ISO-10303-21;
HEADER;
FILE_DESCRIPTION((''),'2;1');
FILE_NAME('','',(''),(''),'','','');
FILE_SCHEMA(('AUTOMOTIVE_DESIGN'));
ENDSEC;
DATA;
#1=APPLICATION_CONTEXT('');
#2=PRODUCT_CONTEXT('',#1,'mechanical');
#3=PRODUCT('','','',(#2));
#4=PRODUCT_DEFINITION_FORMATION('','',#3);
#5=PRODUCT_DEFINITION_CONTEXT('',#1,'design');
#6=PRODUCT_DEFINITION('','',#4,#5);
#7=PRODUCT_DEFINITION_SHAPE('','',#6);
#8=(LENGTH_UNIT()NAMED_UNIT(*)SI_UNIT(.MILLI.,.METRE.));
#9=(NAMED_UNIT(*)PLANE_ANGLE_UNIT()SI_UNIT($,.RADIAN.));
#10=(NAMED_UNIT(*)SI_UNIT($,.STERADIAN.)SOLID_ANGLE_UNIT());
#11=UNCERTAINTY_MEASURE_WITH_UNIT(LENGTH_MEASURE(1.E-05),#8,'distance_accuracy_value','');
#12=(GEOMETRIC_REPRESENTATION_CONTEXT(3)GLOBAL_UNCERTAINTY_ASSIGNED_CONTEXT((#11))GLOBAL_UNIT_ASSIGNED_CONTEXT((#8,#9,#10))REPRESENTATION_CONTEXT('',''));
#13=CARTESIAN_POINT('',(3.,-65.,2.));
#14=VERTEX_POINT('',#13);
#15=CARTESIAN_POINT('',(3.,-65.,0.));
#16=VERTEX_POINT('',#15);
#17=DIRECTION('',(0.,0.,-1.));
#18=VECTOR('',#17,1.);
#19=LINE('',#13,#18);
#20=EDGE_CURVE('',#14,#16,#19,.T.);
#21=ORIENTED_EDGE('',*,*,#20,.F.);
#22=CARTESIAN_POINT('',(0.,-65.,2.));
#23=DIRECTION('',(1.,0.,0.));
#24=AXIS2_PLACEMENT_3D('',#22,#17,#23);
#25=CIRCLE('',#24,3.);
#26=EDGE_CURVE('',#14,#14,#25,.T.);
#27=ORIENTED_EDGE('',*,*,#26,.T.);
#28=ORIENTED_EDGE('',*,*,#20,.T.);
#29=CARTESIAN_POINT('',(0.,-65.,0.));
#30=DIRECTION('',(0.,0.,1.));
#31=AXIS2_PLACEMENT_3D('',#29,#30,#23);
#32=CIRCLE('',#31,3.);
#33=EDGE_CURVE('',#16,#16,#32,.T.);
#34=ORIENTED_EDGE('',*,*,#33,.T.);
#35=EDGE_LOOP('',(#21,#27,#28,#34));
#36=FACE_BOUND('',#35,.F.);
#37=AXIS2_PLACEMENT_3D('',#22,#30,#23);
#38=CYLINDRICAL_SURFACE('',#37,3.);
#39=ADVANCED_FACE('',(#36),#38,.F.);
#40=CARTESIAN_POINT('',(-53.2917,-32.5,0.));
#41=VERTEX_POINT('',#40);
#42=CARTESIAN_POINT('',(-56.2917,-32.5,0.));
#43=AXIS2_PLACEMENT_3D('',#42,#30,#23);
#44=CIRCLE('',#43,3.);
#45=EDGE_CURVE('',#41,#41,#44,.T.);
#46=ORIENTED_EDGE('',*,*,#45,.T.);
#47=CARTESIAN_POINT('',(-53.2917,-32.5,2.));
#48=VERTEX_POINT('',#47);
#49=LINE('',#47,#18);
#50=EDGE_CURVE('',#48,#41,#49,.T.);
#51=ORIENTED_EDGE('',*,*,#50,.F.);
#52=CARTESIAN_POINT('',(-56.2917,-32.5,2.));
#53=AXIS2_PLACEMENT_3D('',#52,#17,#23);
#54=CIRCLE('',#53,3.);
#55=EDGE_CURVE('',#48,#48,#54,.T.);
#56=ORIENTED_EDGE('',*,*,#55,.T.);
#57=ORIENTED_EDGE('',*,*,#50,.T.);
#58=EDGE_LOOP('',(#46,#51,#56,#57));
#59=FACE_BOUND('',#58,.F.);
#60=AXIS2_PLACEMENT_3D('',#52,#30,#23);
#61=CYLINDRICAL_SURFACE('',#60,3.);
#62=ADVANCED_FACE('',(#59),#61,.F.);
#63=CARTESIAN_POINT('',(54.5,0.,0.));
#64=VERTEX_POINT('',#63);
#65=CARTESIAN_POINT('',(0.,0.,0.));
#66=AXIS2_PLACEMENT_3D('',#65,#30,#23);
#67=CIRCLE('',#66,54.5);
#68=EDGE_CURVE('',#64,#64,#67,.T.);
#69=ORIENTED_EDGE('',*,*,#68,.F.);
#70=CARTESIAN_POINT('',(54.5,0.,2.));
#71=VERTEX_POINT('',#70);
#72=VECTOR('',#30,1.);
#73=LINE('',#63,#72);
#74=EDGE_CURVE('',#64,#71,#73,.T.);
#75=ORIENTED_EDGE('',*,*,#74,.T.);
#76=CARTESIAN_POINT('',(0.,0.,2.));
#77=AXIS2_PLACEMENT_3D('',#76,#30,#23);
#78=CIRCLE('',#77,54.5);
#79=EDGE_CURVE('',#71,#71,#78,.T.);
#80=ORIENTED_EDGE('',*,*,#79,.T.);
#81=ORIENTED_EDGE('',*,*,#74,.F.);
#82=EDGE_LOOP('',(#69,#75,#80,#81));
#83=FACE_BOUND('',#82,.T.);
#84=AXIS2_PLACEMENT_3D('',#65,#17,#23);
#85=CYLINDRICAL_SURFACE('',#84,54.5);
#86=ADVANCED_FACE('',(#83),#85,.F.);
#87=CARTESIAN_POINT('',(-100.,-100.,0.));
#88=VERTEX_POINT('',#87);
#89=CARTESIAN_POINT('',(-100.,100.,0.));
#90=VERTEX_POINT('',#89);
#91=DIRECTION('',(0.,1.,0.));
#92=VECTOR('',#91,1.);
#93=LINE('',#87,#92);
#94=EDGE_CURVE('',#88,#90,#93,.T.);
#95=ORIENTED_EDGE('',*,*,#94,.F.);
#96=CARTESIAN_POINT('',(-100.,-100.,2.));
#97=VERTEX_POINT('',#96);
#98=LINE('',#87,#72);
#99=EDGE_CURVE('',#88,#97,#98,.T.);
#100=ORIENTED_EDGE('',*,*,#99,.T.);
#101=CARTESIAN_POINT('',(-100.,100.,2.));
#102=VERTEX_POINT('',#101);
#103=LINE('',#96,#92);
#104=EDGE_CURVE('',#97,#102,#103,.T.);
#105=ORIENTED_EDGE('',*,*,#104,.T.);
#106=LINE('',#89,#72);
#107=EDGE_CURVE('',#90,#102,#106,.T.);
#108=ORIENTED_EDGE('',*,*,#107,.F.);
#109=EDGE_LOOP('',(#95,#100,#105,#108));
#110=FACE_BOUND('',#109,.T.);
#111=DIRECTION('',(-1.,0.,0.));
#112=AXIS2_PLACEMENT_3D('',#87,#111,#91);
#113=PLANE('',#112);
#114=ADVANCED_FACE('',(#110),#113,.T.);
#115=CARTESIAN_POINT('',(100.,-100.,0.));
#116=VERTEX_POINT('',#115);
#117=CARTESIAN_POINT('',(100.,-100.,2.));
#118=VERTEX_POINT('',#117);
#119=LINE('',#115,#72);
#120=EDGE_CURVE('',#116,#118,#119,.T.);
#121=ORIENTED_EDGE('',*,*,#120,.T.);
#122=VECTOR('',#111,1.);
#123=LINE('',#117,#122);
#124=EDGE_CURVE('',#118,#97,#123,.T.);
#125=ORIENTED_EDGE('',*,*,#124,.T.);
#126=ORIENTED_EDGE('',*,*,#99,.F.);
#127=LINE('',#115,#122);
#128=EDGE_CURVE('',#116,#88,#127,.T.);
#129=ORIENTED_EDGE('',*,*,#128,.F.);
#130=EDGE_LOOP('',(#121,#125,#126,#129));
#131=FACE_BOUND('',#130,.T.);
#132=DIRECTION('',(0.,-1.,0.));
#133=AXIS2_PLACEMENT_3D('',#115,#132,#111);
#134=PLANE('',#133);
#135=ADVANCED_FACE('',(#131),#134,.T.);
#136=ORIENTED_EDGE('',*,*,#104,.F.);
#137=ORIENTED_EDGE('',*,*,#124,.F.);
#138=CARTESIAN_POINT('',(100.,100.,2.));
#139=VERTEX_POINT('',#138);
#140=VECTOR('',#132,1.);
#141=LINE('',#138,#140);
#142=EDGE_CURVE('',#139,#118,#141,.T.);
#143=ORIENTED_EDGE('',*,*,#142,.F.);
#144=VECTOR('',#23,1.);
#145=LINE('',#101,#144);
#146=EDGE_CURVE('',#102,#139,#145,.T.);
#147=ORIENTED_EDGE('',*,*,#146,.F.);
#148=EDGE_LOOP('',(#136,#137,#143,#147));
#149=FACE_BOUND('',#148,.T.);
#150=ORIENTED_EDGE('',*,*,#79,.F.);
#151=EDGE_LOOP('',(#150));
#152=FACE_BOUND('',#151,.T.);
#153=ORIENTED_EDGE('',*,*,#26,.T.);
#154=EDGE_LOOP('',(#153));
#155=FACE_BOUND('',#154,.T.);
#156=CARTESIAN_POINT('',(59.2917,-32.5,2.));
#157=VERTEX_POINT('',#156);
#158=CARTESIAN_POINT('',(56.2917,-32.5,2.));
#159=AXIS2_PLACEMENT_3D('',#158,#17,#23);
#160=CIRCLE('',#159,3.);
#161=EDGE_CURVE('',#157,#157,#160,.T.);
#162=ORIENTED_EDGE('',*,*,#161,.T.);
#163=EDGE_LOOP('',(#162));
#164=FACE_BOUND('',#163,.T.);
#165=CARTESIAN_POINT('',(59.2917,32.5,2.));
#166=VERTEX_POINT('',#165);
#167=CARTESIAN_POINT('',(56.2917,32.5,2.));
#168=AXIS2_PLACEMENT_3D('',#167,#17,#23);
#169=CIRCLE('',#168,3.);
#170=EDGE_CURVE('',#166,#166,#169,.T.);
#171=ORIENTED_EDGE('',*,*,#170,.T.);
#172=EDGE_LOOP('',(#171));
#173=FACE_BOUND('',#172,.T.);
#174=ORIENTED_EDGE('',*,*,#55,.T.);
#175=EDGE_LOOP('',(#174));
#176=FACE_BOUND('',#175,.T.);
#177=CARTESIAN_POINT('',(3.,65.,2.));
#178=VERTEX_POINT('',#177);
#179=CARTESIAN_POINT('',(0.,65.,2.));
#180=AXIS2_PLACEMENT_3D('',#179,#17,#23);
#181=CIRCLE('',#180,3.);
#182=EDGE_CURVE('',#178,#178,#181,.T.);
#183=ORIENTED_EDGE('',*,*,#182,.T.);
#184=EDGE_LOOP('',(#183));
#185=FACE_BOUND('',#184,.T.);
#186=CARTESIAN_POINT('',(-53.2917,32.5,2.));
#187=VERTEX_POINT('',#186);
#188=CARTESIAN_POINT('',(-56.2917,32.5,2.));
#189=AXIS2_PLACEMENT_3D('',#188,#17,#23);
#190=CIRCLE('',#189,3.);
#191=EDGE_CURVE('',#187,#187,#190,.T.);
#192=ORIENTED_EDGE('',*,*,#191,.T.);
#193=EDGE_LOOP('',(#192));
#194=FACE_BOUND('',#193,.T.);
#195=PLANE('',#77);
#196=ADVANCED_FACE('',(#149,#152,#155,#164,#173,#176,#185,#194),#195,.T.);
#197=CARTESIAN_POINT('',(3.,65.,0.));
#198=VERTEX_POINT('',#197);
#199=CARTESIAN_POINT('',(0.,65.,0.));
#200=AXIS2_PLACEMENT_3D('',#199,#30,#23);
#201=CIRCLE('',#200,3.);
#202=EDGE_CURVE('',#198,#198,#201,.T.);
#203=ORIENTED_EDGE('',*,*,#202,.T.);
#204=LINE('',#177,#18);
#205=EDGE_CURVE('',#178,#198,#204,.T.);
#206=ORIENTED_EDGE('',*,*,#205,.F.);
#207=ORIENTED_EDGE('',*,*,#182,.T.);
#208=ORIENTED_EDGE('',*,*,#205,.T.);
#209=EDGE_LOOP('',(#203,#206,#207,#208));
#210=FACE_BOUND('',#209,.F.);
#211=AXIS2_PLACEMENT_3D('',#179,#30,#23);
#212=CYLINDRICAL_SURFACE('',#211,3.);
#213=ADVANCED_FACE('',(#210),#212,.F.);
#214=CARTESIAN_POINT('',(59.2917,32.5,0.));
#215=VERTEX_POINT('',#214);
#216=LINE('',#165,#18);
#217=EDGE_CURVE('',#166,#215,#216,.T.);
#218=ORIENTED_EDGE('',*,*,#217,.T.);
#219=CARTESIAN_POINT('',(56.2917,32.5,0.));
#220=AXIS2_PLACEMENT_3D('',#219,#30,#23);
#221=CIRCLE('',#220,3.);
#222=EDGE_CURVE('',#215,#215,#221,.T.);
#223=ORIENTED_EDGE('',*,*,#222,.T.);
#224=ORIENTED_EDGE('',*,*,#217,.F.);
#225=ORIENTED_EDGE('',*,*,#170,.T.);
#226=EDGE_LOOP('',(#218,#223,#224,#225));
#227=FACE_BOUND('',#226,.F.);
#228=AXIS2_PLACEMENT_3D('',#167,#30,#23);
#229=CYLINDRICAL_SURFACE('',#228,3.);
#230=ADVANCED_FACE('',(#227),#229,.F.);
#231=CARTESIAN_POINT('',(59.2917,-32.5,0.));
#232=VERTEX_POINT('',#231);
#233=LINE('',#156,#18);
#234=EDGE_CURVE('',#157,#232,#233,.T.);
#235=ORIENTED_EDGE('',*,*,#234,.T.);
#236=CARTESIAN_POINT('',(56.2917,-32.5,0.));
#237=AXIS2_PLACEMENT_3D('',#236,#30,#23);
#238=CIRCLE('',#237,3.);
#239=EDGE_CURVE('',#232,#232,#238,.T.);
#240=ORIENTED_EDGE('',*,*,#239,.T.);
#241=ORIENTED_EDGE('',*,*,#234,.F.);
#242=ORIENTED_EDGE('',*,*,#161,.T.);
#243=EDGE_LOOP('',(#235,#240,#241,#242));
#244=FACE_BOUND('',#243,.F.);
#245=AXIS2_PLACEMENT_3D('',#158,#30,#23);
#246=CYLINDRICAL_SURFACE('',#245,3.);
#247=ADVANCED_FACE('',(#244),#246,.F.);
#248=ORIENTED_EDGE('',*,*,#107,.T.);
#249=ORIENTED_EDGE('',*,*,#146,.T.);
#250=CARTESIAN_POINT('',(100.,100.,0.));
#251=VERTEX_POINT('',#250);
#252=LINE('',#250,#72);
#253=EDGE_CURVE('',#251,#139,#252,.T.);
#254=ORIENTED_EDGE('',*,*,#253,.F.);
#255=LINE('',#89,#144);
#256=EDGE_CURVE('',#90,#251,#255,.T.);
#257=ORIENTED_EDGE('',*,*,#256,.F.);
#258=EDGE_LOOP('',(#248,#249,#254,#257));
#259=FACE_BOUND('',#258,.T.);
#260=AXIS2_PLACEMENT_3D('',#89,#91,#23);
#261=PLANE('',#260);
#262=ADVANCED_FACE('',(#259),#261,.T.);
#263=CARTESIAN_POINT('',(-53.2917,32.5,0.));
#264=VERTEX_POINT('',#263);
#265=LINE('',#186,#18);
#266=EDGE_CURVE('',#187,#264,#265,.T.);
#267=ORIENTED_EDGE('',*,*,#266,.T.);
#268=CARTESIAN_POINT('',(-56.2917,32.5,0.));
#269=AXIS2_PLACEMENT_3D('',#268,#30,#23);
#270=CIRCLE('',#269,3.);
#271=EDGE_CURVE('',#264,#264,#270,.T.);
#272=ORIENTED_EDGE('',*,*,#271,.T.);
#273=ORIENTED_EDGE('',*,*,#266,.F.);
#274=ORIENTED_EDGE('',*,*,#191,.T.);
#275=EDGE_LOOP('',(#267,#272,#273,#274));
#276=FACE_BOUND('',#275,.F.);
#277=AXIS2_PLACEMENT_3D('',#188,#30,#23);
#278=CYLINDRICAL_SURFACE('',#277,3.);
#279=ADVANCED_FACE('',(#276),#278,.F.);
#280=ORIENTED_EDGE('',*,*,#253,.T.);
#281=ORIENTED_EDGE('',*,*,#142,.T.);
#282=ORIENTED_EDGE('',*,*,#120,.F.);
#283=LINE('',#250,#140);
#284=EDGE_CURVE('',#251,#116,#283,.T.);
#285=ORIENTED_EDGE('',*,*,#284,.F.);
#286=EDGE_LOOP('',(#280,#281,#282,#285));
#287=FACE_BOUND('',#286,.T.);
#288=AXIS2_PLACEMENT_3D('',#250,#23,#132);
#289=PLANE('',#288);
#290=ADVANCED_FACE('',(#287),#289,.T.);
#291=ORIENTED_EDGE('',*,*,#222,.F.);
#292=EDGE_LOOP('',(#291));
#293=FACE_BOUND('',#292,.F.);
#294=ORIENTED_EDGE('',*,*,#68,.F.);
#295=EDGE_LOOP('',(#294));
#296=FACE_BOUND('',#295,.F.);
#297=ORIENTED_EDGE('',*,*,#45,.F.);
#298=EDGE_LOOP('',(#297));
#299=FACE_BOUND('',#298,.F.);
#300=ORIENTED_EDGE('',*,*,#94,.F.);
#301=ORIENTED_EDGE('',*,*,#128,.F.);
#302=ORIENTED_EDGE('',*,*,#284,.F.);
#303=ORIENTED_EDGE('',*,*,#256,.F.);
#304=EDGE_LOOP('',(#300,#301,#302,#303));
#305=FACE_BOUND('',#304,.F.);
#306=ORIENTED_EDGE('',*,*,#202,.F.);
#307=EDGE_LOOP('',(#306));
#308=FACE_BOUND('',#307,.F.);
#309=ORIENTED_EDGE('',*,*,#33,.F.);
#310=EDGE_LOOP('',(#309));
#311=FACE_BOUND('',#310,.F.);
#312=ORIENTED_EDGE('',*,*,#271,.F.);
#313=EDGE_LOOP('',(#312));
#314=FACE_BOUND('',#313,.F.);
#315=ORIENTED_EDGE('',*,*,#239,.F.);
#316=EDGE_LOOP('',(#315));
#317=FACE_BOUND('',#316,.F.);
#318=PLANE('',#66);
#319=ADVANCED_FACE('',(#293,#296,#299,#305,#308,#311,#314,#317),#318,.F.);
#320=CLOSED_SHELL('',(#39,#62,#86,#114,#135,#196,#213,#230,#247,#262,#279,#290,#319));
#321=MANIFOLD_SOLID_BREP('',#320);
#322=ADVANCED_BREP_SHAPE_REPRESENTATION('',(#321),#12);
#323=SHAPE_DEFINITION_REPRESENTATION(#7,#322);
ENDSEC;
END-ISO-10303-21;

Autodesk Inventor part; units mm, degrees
ref_plane "YZ Plane" through (0, 0, 0) normal (1, 0, 0) x (0, 1, 0)
ref_plane "XZ Plane" through (0, 0, 0) normal (0, 1, 0) x (-1, 0, 0)
ref_plane "XY Plane" through (0, 0, 0) normal (0, 0, 1) x (1, 0, 0)
sketch "Sketch1" plane through (0, 0, 0) normal (0, 0, 1) x (1, 0, 0)
  circle A0 centre (0, 0) radius 54.5
  line L0 (-100, 100) -> (100, 100)
  line L1 (100, 100) -> (100, -100)
  line L2 (100, -100) -> (-100, -100)
  line L3 (-100, -100) -> (-100, 100)
  dimension "d0" = 109
  dimension "d3" = 200
  dimension "d4" = 200
extrude "Extrusion1" add sketch "Sketch1" along normal blind 2
sketch "Sketch2" plane through (0, 0, 2) normal (0, 0, 1) x (1, 0, 0)
  circle A0 centre (0, 65) radius 3
  circle A1 centre (-56.2917, 32.5) radius 3
  circle A2 centre (-56.2917, -32.5) radius 3
  circle A3 centre (0, -65) radius 3
  circle A4 centre (56.2917, -32.5) radius 3
  circle A5 centre (56.2917, 32.5) radius 3
  circle A6 centre (0, 0) radius 65
  dimension "d8" = 6
  dimension "d11" = 360
extrude "Extrusion2" cut sketch "Sketch2" against normal blind 2 contours A0 A6 | A6 A0 | A6 A1 | A1 A6 | A6 A5 | A5 A6 | A6 A2 | A2 A6 | A6 A4 | A4 A6 | A6 A3 | A3 A6
properties part number "uppe sheet"
